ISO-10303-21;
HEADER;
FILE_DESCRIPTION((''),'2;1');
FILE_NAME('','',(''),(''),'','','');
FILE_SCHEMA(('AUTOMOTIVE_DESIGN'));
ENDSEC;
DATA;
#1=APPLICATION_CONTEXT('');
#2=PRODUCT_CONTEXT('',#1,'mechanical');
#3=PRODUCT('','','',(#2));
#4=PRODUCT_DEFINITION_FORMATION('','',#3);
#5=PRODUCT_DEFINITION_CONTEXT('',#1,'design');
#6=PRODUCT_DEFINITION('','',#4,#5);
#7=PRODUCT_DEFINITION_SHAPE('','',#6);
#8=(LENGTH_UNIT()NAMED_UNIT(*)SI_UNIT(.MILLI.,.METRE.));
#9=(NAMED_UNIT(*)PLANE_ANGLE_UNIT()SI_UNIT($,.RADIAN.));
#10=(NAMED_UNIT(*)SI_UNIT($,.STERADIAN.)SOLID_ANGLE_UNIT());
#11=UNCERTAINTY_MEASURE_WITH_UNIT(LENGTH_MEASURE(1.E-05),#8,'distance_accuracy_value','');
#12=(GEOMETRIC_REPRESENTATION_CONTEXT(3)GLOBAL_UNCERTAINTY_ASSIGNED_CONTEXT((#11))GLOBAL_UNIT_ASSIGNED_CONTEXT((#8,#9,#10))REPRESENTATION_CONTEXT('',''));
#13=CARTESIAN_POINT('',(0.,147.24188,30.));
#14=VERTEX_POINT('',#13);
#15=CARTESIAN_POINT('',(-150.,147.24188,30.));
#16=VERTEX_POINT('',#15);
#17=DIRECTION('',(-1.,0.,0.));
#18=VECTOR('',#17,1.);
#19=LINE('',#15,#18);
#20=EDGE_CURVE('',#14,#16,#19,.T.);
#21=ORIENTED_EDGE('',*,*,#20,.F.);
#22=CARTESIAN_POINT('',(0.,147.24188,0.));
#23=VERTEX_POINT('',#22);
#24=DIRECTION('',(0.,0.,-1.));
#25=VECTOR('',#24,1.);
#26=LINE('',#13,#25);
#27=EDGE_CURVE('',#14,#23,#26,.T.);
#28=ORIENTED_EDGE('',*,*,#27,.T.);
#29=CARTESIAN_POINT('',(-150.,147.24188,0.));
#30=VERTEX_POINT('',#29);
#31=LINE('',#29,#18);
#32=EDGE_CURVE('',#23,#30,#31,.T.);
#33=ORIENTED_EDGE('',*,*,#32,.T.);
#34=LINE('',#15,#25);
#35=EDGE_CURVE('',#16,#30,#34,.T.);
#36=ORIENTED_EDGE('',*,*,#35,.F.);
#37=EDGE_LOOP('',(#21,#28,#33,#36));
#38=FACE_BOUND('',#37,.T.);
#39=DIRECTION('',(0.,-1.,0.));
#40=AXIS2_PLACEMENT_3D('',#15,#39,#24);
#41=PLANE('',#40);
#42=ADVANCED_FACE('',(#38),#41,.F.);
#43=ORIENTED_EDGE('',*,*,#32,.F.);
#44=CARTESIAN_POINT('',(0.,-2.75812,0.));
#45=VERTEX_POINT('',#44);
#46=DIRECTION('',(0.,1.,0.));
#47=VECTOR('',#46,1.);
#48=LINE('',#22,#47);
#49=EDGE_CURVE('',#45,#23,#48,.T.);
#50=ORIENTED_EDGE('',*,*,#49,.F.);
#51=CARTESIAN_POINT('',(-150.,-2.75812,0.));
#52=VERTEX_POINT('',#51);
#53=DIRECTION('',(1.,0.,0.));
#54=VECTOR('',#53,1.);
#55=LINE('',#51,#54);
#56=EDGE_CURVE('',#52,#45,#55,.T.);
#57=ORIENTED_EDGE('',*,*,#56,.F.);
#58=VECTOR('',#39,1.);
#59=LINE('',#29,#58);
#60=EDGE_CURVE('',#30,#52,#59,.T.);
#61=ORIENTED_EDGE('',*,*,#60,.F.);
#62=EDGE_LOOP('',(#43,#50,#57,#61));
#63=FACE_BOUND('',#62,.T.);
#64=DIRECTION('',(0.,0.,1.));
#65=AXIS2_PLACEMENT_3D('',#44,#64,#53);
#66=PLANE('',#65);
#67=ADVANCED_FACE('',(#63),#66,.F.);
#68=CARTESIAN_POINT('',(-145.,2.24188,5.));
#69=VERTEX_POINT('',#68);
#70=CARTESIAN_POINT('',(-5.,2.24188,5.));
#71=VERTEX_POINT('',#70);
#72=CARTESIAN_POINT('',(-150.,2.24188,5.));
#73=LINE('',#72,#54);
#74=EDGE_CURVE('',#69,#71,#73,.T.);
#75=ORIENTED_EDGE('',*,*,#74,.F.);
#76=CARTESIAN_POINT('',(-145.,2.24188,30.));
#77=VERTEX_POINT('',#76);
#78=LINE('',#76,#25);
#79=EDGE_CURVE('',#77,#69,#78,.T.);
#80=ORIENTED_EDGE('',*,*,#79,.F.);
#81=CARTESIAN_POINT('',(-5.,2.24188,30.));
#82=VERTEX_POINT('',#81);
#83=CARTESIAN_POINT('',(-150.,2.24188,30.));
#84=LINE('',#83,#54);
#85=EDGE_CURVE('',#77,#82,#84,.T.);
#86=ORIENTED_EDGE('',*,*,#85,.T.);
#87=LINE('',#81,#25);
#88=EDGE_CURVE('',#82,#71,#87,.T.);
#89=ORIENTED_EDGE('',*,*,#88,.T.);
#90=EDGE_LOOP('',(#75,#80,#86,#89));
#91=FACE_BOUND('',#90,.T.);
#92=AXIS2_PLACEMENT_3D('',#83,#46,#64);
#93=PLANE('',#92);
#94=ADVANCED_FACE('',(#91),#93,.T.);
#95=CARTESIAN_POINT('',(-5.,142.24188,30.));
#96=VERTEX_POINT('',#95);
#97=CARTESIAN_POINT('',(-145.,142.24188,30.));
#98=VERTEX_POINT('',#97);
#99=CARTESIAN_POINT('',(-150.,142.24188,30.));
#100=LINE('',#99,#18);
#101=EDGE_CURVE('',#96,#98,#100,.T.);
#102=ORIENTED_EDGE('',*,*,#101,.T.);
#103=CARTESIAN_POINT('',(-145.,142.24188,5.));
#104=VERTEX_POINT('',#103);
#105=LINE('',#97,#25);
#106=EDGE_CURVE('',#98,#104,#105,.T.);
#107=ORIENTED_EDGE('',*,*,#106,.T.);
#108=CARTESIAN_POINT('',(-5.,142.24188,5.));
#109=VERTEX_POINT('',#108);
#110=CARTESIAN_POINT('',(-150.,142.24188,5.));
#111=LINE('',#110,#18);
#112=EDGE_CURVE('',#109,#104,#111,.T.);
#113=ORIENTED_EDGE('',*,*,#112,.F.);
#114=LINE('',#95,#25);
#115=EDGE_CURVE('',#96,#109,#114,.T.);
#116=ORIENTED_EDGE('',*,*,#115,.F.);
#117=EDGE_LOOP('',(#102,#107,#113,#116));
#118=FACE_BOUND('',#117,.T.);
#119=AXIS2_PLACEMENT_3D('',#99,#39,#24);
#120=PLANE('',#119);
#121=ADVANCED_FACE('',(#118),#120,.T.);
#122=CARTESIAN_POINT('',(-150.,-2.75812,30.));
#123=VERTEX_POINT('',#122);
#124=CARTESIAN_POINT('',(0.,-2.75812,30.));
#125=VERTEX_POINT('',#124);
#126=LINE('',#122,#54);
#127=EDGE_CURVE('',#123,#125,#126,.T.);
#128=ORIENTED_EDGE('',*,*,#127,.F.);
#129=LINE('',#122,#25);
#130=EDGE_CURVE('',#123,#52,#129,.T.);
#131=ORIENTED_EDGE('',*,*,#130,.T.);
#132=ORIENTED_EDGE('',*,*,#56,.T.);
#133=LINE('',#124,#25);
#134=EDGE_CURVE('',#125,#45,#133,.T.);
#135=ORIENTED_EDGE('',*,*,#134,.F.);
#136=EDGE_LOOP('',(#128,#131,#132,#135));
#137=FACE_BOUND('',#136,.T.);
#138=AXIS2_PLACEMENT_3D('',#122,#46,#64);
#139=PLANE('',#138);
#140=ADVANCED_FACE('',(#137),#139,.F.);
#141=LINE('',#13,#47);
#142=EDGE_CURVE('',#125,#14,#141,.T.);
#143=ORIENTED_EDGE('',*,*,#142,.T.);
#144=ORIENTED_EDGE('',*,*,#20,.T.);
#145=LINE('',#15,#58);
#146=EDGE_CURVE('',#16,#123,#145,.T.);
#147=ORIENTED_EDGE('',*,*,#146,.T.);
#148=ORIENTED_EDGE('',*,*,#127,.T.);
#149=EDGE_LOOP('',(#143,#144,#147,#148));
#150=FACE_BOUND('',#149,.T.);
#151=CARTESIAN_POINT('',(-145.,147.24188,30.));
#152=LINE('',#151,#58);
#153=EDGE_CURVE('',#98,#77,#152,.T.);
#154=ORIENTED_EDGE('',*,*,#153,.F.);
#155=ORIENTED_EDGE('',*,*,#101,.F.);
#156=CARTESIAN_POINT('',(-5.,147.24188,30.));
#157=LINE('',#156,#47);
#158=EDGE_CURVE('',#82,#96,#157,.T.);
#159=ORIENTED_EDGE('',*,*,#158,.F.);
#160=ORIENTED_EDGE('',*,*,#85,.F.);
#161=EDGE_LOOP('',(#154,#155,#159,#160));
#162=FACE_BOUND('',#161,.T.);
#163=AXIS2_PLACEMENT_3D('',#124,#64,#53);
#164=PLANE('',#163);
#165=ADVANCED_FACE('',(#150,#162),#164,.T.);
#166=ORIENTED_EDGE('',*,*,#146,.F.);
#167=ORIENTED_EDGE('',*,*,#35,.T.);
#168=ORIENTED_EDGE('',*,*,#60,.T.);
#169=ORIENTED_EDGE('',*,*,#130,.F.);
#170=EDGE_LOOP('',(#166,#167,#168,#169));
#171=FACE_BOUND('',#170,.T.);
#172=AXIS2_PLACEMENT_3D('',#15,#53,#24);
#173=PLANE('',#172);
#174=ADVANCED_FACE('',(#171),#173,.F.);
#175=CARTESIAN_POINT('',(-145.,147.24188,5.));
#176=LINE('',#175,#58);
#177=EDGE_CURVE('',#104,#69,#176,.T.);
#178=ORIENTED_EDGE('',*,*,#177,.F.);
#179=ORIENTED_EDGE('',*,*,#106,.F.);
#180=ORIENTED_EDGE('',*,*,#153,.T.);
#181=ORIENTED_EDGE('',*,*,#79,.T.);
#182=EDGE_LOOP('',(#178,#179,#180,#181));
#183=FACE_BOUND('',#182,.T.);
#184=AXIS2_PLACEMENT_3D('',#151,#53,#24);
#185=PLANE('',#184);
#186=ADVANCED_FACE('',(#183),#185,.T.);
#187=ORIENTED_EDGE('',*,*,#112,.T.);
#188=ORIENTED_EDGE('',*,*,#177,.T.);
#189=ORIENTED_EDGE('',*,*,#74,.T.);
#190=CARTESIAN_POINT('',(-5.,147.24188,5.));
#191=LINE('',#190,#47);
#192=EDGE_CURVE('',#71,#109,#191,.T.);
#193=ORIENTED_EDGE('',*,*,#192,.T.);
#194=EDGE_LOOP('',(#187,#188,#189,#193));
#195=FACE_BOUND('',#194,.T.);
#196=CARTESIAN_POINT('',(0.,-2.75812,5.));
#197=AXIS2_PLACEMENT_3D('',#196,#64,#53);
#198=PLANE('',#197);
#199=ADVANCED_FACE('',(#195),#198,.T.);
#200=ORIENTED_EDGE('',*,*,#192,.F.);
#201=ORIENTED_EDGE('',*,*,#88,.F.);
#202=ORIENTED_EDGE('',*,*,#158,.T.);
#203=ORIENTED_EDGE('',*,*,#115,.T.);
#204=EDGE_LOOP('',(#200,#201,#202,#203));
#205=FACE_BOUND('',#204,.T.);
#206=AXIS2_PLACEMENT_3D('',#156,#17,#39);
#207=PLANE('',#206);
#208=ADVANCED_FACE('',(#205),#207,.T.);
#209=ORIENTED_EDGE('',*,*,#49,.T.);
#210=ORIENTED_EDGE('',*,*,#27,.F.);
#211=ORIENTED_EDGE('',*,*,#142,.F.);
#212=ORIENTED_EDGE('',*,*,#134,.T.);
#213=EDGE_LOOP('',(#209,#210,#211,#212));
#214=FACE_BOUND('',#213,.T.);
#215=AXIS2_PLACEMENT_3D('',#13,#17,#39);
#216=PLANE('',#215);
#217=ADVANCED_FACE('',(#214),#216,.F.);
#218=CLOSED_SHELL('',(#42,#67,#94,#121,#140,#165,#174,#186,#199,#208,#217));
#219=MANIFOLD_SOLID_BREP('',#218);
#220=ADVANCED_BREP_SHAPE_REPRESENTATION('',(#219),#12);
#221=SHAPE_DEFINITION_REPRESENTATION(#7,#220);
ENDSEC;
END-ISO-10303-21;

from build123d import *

# Parameters (mm, degrees)
SKETCH1_W           = 150
SKETCH1_H           = 150
BOSS_EXTRUDE1_DEPTH = 30
SHELL1_T            = -5


with BuildPart() as part:
    # Sketch1 → Boss-Extrude1 (new body)
    with BuildSketch(Plane.XY):
        with Locations((-75, 72.241880209)):
            Rectangle(SKETCH1_W, SKETCH1_H)
    extrude(amount=BOSS_EXTRUDE1_DEPTH)

    # Shell1
    shell1_openings = [part.faces().sort_by_distance(p)[0] for p in [
        (-75, 72.241880209, 30),
    ]]
    offset(amount=SHELL1_T, openings=shell1_openings, kind=Kind.INTERSECTION)


solid = part.part
